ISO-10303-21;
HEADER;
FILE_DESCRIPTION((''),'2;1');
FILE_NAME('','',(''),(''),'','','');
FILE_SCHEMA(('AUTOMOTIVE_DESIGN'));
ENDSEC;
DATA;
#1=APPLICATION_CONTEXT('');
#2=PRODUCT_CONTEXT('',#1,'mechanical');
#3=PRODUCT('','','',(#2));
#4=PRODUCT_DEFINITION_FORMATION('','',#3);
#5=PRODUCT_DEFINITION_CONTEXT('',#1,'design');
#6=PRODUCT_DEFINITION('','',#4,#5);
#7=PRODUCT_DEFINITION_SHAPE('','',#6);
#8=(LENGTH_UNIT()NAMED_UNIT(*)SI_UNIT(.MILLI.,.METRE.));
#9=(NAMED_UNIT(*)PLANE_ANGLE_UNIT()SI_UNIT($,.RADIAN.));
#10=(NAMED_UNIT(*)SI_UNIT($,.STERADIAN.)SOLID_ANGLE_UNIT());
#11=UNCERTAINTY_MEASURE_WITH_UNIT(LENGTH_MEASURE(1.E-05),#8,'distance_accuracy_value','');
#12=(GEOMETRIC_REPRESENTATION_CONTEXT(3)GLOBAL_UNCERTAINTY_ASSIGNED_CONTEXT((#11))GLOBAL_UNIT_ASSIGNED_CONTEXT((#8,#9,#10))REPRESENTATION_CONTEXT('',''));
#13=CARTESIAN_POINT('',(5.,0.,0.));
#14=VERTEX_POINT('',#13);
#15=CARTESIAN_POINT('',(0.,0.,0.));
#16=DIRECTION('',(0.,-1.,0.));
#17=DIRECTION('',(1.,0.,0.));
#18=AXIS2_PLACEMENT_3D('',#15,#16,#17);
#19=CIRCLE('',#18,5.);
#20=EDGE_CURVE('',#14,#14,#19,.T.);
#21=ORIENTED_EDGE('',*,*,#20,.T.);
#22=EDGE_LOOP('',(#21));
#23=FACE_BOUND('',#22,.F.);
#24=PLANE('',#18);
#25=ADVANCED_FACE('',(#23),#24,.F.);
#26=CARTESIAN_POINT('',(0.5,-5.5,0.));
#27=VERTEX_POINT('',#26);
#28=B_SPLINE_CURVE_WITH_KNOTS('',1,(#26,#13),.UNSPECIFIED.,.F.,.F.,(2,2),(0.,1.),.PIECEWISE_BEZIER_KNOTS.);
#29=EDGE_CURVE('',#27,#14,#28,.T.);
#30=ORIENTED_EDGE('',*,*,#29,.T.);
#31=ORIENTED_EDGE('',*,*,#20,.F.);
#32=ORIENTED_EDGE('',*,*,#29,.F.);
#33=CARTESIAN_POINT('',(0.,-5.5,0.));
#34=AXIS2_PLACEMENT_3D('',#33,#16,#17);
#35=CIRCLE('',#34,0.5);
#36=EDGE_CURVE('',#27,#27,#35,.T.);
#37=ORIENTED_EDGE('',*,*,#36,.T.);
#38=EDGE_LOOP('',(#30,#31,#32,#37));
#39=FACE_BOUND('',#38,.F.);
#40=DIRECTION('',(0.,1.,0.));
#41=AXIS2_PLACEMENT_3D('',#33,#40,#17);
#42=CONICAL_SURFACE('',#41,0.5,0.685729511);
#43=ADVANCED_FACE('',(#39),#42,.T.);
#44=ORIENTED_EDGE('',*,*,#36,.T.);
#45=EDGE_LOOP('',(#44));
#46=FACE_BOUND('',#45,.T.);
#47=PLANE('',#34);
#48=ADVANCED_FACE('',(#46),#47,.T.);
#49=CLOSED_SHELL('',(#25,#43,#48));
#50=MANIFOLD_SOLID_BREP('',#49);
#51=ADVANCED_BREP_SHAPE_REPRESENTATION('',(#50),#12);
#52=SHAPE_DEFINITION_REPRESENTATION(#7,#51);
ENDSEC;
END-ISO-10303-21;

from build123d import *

# Parameters (mm, degrees)
F2_R = 0.5
F0_R = 5


with BuildPart() as f3:
    # F2 (on offset) → F3 section 0
    with BuildSketch(Plane.XZ.offset(5.5)):
        Circle(F2_R)
    # F0 (on Front) → F3 section 1
    with BuildSketch(Plane.XZ):
        Circle(F0_R)
    loft()


solid = f3.part
